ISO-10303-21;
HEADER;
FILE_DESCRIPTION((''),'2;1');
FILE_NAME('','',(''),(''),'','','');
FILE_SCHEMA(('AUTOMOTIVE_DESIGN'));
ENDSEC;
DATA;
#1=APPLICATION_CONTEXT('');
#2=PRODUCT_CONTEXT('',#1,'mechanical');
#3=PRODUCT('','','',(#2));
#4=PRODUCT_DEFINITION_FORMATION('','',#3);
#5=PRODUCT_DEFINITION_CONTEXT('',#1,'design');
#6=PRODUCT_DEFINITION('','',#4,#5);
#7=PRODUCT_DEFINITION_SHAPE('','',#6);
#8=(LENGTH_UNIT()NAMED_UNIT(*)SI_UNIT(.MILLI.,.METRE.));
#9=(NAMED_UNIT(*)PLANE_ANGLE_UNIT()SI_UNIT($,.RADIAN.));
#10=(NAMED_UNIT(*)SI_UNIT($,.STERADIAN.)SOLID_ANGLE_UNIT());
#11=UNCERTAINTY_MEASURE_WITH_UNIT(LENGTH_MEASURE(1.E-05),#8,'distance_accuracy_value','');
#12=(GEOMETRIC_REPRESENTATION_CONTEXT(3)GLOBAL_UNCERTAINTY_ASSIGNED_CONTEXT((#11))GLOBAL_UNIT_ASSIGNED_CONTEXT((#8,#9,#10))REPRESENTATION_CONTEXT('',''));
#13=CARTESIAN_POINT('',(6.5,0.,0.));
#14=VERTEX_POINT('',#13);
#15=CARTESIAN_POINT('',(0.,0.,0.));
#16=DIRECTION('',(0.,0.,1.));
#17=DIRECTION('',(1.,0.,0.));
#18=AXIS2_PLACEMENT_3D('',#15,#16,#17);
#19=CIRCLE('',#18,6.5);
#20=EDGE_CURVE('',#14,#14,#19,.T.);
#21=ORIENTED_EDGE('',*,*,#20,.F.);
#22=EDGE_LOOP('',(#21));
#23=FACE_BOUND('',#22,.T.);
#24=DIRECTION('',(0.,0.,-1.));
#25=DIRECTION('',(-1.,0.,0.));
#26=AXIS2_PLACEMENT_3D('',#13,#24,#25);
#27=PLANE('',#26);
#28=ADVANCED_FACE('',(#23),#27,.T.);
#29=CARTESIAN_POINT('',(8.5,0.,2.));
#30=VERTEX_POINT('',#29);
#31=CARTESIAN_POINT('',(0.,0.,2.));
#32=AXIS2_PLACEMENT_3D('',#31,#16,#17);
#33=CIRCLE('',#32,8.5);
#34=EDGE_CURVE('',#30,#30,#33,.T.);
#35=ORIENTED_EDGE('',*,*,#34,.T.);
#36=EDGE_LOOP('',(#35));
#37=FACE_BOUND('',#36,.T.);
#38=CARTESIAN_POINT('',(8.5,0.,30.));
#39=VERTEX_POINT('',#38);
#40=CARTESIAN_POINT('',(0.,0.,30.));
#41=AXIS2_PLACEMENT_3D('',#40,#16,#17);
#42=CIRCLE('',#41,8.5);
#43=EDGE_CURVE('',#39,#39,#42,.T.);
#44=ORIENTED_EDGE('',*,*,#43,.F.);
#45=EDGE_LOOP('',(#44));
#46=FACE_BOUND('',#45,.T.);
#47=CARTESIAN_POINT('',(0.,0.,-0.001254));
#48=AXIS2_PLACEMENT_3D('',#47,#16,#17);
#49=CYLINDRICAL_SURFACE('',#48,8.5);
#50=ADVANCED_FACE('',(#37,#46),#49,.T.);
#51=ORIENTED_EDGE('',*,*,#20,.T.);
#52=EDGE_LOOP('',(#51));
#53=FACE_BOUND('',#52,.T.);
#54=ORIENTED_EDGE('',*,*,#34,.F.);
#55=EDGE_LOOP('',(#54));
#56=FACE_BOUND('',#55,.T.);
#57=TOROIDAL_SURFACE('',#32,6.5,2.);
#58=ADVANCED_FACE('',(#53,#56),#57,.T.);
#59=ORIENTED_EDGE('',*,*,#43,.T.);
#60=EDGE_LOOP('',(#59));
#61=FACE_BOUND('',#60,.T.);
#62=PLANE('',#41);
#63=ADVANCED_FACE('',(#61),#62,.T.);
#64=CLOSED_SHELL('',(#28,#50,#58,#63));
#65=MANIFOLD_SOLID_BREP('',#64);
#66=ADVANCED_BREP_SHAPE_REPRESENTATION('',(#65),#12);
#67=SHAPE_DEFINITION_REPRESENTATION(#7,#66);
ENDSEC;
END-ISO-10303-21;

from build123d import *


with BuildPart() as part:
    # Sketch1 → Revolve1 (revolve)
    with BuildSketch(Plane(origin=(0, 0, 0), x_dir=(1, 0, 0), z_dir=(0, 1, 0))):
        with BuildLine():
            Line((6.5, 0), (0, 0))
            Line((0, 0), (0, -30))
            Line((0, -30), (8.5, -30))
            Line((8.5, -30), (8.5, -2))
            ThreePointArc((8.5, -2), (7.914213562, -0.585786438), (6.5, 0))
        make_face()
    revolve(axis=Axis((0, 0, -0.001253994), (0, 0, 1)))


solid = part.part
